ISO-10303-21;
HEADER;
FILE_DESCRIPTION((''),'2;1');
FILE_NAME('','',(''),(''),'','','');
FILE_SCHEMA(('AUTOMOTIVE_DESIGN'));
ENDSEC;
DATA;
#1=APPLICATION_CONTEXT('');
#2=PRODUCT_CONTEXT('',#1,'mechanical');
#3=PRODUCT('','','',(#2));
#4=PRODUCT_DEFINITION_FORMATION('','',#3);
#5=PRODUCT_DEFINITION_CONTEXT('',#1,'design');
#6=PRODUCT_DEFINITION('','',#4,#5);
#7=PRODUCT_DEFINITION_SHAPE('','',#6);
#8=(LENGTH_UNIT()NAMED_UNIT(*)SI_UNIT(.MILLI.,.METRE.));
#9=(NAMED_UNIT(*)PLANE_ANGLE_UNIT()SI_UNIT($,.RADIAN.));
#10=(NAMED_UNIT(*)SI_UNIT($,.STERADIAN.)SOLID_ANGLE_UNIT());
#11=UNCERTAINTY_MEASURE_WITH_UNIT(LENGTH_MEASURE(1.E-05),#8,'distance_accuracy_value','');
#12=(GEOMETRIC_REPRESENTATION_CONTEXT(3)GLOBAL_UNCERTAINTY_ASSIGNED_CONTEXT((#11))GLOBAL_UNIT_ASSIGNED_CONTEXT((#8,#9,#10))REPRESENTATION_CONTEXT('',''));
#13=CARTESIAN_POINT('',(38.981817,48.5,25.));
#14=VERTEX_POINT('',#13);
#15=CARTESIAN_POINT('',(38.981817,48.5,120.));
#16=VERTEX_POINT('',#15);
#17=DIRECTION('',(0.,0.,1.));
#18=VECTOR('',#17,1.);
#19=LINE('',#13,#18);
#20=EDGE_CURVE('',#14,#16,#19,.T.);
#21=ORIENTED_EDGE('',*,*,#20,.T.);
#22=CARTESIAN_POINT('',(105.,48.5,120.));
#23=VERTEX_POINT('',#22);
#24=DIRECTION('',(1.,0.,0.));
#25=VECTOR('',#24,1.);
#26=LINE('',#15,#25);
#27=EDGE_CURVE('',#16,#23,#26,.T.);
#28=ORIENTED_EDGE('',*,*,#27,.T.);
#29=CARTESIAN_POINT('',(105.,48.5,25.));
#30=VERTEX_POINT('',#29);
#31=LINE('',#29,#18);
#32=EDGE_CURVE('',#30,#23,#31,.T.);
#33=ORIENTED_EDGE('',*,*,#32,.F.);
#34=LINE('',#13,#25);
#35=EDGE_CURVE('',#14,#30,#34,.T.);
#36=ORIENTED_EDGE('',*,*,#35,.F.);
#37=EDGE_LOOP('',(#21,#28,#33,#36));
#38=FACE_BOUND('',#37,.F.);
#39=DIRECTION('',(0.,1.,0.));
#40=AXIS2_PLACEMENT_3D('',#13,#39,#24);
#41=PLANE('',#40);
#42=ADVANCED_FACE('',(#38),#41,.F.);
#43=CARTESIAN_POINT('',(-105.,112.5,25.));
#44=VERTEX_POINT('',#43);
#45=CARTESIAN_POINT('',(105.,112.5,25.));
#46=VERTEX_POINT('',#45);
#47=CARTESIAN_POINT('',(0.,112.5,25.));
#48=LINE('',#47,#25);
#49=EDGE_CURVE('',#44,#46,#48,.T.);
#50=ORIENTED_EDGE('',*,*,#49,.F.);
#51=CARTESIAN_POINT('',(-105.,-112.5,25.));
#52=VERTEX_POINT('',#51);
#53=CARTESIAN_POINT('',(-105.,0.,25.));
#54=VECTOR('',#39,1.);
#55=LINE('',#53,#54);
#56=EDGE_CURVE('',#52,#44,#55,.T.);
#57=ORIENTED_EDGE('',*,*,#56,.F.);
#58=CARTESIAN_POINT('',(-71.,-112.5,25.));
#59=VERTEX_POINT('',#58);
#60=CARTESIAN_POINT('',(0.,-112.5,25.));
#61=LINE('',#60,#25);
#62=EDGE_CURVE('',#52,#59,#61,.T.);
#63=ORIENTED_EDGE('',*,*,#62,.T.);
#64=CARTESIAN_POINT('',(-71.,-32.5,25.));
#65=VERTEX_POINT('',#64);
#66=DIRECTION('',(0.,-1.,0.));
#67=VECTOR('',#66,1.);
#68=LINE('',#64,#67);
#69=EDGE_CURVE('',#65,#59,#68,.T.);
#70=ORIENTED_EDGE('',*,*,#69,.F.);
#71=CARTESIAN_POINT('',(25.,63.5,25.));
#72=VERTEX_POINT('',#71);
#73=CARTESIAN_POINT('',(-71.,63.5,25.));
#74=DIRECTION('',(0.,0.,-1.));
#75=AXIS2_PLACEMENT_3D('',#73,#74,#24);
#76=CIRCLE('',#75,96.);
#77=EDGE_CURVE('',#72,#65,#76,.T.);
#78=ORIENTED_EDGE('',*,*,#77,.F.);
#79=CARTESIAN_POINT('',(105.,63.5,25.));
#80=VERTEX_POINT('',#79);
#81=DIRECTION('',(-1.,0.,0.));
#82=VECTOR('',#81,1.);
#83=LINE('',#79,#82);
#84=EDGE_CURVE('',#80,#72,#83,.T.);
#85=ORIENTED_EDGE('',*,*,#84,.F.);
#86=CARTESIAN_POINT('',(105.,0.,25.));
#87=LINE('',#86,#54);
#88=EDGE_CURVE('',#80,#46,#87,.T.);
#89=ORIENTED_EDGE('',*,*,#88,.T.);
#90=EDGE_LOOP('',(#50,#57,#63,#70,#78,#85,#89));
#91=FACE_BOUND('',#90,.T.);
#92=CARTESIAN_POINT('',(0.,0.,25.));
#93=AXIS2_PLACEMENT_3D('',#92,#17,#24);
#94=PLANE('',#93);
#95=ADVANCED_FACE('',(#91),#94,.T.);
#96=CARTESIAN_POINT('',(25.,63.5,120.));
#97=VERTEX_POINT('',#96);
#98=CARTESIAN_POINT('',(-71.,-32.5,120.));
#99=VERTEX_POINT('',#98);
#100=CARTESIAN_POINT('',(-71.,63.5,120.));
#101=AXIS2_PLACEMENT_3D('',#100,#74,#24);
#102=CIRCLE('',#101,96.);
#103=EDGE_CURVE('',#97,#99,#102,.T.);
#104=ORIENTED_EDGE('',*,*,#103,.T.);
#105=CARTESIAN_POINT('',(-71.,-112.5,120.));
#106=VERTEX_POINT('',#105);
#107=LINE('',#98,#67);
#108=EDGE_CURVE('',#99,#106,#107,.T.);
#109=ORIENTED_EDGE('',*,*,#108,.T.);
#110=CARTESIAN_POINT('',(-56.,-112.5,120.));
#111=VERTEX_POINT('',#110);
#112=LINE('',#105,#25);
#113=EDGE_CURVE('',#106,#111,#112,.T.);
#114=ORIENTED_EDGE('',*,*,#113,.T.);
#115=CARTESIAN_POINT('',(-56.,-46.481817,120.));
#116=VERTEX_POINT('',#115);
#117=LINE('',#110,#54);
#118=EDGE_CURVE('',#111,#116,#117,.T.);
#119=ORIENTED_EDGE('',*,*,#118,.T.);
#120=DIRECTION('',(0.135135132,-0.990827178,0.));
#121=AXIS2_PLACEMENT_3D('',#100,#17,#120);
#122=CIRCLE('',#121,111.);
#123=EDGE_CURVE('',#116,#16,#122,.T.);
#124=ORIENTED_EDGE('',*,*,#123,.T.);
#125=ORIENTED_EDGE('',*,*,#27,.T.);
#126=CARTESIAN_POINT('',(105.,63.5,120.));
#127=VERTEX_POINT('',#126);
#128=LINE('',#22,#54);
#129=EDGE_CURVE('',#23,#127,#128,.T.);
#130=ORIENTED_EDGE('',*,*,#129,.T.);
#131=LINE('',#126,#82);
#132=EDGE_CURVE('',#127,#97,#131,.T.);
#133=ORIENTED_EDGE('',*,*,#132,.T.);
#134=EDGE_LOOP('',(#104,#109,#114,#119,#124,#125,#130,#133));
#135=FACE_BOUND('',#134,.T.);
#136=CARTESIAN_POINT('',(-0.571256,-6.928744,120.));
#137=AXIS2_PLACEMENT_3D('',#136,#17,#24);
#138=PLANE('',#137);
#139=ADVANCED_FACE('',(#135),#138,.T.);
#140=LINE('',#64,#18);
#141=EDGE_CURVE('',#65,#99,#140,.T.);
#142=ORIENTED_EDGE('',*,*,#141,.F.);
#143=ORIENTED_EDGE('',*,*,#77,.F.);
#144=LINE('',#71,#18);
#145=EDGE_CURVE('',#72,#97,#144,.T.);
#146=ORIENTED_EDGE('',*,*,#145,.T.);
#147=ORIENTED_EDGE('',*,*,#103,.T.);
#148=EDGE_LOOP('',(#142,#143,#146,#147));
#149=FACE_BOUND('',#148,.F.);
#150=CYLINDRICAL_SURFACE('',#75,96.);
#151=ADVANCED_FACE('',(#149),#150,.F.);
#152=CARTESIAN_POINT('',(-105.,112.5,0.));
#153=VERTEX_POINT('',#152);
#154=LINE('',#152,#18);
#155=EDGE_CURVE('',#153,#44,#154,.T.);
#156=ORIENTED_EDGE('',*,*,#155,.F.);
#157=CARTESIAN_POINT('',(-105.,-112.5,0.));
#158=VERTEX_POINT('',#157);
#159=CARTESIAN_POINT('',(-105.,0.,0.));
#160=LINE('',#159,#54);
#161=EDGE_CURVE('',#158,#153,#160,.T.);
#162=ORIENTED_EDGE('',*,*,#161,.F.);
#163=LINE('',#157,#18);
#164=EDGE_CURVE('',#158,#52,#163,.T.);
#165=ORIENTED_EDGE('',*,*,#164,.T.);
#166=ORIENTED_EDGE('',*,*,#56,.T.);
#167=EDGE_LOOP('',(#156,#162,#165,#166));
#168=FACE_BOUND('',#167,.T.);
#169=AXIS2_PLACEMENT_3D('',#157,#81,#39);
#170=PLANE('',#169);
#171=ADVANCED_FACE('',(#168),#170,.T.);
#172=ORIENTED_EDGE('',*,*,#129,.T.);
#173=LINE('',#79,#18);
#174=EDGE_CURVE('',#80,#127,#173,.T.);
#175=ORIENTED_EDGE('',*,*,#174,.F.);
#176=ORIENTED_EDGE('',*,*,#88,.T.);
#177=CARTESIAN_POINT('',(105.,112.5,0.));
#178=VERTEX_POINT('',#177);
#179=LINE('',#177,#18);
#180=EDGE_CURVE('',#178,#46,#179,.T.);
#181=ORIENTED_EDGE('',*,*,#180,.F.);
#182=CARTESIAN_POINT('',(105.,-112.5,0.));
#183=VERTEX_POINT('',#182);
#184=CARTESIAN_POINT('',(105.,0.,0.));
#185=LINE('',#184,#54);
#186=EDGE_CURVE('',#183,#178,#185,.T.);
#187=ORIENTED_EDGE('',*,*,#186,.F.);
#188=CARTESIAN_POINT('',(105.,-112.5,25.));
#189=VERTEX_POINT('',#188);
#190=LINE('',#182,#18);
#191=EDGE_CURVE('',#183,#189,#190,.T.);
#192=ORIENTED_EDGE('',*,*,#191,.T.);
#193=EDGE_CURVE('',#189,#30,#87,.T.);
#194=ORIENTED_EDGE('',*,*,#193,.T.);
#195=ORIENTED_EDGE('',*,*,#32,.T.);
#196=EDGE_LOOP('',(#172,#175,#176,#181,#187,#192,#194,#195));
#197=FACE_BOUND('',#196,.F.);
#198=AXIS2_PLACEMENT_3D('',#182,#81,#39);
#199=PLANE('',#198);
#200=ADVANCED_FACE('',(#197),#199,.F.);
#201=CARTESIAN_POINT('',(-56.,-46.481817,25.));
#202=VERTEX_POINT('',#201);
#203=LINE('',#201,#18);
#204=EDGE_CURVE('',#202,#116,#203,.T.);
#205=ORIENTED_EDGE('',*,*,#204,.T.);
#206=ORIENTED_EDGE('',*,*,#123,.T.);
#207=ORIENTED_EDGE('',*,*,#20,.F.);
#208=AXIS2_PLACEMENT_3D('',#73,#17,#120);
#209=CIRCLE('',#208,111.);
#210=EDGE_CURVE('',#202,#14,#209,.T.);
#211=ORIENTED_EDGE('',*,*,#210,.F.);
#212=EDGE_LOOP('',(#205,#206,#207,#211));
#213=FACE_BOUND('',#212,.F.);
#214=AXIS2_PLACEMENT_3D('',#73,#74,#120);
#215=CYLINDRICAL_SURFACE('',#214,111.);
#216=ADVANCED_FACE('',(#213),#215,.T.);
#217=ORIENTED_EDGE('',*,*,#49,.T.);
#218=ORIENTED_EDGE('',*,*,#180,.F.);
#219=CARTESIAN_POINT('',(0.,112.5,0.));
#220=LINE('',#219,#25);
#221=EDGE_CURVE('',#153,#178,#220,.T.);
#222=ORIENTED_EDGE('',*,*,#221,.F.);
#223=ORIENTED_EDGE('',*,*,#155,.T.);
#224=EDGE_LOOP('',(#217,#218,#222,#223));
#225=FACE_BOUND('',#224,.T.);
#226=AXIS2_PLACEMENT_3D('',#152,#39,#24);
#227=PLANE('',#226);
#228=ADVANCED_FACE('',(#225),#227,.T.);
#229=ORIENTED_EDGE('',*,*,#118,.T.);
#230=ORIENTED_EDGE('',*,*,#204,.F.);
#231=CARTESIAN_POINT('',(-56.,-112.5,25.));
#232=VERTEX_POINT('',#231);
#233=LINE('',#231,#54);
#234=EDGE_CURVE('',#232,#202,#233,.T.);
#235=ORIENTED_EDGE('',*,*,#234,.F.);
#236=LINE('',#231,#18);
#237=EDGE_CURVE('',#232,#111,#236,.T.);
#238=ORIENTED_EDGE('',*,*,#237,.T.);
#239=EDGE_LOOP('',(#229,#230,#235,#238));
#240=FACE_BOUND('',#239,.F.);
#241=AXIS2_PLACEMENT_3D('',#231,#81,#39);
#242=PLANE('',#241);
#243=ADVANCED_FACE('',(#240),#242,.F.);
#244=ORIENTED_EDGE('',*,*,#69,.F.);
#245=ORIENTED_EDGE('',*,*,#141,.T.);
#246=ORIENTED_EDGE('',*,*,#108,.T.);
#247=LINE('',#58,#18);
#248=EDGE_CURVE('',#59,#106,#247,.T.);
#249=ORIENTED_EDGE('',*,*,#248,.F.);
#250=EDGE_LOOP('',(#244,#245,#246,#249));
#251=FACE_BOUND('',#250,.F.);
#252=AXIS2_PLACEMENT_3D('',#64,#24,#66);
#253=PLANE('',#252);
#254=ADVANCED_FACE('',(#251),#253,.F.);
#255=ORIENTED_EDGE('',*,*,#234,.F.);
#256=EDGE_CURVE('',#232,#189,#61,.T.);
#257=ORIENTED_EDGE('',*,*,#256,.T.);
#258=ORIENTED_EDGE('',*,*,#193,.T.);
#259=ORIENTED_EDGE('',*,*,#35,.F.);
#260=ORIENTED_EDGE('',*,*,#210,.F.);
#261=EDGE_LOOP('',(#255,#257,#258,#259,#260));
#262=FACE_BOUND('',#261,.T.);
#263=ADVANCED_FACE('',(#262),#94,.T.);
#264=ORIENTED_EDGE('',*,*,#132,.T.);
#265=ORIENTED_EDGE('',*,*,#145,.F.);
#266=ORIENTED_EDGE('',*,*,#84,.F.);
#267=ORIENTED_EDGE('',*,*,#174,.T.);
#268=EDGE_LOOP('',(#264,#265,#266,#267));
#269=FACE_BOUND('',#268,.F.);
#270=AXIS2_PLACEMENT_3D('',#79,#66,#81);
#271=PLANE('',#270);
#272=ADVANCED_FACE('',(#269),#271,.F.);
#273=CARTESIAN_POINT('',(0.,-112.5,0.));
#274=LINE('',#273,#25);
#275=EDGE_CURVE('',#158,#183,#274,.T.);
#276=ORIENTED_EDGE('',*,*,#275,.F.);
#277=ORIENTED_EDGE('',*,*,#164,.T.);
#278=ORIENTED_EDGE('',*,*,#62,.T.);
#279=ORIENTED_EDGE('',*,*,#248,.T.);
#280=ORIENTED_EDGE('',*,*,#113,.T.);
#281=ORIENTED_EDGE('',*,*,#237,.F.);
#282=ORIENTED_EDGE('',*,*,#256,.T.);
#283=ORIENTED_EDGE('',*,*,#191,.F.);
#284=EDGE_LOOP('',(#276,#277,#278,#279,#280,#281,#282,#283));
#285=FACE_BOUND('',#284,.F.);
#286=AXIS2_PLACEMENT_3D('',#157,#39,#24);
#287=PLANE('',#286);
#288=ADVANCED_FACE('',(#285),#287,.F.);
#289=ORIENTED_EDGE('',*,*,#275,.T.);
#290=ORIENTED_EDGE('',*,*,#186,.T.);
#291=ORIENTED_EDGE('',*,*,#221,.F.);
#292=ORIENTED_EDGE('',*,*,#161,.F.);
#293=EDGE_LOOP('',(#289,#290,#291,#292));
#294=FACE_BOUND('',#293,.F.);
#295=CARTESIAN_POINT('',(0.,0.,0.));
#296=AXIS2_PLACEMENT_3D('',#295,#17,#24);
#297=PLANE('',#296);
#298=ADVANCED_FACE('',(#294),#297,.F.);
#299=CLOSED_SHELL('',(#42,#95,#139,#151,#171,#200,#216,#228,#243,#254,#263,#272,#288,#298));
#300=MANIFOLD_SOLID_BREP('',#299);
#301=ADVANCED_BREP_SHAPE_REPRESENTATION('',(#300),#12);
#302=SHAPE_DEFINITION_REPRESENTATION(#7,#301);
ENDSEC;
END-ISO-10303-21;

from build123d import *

# Parameters (mm, degrees)
F0_W     = 210
F0_H     = 225
F1_DEPTH = 25
F3_DEPTH = 95


with BuildPart() as f1:
    # F0 (on Top) → F1 (new body)
    with BuildSketch(Plane.XY):
        Rectangle(F0_W, F0_H)
    extrude(amount=F1_DEPTH)

    # F2 (on face) → F3 (join)
    with BuildSketch(Plane.XY.offset(25)):
        with BuildLine():
            Line((-71, -32.5), (-71, -112.5))
            Line((-71, -112.5), (-56, -112.5))
            Line((-56, -112.5), (-56, -46.481817))
            ThreePointArc((-56, -46.481817), (7.488853, -14.988853), (38.981817, 48.5))
            Line((38.981817, 48.5), (105, 48.5))
            Line((105, 48.5), (105, 63.5))
            Line((105, 63.5), (25, 63.5))
            ThreePointArc((25, 63.5), (-3.117749, -4.382251), (-71, -32.5))
        make_face()
    extrude(amount=F3_DEPTH)


solid = f1.part
